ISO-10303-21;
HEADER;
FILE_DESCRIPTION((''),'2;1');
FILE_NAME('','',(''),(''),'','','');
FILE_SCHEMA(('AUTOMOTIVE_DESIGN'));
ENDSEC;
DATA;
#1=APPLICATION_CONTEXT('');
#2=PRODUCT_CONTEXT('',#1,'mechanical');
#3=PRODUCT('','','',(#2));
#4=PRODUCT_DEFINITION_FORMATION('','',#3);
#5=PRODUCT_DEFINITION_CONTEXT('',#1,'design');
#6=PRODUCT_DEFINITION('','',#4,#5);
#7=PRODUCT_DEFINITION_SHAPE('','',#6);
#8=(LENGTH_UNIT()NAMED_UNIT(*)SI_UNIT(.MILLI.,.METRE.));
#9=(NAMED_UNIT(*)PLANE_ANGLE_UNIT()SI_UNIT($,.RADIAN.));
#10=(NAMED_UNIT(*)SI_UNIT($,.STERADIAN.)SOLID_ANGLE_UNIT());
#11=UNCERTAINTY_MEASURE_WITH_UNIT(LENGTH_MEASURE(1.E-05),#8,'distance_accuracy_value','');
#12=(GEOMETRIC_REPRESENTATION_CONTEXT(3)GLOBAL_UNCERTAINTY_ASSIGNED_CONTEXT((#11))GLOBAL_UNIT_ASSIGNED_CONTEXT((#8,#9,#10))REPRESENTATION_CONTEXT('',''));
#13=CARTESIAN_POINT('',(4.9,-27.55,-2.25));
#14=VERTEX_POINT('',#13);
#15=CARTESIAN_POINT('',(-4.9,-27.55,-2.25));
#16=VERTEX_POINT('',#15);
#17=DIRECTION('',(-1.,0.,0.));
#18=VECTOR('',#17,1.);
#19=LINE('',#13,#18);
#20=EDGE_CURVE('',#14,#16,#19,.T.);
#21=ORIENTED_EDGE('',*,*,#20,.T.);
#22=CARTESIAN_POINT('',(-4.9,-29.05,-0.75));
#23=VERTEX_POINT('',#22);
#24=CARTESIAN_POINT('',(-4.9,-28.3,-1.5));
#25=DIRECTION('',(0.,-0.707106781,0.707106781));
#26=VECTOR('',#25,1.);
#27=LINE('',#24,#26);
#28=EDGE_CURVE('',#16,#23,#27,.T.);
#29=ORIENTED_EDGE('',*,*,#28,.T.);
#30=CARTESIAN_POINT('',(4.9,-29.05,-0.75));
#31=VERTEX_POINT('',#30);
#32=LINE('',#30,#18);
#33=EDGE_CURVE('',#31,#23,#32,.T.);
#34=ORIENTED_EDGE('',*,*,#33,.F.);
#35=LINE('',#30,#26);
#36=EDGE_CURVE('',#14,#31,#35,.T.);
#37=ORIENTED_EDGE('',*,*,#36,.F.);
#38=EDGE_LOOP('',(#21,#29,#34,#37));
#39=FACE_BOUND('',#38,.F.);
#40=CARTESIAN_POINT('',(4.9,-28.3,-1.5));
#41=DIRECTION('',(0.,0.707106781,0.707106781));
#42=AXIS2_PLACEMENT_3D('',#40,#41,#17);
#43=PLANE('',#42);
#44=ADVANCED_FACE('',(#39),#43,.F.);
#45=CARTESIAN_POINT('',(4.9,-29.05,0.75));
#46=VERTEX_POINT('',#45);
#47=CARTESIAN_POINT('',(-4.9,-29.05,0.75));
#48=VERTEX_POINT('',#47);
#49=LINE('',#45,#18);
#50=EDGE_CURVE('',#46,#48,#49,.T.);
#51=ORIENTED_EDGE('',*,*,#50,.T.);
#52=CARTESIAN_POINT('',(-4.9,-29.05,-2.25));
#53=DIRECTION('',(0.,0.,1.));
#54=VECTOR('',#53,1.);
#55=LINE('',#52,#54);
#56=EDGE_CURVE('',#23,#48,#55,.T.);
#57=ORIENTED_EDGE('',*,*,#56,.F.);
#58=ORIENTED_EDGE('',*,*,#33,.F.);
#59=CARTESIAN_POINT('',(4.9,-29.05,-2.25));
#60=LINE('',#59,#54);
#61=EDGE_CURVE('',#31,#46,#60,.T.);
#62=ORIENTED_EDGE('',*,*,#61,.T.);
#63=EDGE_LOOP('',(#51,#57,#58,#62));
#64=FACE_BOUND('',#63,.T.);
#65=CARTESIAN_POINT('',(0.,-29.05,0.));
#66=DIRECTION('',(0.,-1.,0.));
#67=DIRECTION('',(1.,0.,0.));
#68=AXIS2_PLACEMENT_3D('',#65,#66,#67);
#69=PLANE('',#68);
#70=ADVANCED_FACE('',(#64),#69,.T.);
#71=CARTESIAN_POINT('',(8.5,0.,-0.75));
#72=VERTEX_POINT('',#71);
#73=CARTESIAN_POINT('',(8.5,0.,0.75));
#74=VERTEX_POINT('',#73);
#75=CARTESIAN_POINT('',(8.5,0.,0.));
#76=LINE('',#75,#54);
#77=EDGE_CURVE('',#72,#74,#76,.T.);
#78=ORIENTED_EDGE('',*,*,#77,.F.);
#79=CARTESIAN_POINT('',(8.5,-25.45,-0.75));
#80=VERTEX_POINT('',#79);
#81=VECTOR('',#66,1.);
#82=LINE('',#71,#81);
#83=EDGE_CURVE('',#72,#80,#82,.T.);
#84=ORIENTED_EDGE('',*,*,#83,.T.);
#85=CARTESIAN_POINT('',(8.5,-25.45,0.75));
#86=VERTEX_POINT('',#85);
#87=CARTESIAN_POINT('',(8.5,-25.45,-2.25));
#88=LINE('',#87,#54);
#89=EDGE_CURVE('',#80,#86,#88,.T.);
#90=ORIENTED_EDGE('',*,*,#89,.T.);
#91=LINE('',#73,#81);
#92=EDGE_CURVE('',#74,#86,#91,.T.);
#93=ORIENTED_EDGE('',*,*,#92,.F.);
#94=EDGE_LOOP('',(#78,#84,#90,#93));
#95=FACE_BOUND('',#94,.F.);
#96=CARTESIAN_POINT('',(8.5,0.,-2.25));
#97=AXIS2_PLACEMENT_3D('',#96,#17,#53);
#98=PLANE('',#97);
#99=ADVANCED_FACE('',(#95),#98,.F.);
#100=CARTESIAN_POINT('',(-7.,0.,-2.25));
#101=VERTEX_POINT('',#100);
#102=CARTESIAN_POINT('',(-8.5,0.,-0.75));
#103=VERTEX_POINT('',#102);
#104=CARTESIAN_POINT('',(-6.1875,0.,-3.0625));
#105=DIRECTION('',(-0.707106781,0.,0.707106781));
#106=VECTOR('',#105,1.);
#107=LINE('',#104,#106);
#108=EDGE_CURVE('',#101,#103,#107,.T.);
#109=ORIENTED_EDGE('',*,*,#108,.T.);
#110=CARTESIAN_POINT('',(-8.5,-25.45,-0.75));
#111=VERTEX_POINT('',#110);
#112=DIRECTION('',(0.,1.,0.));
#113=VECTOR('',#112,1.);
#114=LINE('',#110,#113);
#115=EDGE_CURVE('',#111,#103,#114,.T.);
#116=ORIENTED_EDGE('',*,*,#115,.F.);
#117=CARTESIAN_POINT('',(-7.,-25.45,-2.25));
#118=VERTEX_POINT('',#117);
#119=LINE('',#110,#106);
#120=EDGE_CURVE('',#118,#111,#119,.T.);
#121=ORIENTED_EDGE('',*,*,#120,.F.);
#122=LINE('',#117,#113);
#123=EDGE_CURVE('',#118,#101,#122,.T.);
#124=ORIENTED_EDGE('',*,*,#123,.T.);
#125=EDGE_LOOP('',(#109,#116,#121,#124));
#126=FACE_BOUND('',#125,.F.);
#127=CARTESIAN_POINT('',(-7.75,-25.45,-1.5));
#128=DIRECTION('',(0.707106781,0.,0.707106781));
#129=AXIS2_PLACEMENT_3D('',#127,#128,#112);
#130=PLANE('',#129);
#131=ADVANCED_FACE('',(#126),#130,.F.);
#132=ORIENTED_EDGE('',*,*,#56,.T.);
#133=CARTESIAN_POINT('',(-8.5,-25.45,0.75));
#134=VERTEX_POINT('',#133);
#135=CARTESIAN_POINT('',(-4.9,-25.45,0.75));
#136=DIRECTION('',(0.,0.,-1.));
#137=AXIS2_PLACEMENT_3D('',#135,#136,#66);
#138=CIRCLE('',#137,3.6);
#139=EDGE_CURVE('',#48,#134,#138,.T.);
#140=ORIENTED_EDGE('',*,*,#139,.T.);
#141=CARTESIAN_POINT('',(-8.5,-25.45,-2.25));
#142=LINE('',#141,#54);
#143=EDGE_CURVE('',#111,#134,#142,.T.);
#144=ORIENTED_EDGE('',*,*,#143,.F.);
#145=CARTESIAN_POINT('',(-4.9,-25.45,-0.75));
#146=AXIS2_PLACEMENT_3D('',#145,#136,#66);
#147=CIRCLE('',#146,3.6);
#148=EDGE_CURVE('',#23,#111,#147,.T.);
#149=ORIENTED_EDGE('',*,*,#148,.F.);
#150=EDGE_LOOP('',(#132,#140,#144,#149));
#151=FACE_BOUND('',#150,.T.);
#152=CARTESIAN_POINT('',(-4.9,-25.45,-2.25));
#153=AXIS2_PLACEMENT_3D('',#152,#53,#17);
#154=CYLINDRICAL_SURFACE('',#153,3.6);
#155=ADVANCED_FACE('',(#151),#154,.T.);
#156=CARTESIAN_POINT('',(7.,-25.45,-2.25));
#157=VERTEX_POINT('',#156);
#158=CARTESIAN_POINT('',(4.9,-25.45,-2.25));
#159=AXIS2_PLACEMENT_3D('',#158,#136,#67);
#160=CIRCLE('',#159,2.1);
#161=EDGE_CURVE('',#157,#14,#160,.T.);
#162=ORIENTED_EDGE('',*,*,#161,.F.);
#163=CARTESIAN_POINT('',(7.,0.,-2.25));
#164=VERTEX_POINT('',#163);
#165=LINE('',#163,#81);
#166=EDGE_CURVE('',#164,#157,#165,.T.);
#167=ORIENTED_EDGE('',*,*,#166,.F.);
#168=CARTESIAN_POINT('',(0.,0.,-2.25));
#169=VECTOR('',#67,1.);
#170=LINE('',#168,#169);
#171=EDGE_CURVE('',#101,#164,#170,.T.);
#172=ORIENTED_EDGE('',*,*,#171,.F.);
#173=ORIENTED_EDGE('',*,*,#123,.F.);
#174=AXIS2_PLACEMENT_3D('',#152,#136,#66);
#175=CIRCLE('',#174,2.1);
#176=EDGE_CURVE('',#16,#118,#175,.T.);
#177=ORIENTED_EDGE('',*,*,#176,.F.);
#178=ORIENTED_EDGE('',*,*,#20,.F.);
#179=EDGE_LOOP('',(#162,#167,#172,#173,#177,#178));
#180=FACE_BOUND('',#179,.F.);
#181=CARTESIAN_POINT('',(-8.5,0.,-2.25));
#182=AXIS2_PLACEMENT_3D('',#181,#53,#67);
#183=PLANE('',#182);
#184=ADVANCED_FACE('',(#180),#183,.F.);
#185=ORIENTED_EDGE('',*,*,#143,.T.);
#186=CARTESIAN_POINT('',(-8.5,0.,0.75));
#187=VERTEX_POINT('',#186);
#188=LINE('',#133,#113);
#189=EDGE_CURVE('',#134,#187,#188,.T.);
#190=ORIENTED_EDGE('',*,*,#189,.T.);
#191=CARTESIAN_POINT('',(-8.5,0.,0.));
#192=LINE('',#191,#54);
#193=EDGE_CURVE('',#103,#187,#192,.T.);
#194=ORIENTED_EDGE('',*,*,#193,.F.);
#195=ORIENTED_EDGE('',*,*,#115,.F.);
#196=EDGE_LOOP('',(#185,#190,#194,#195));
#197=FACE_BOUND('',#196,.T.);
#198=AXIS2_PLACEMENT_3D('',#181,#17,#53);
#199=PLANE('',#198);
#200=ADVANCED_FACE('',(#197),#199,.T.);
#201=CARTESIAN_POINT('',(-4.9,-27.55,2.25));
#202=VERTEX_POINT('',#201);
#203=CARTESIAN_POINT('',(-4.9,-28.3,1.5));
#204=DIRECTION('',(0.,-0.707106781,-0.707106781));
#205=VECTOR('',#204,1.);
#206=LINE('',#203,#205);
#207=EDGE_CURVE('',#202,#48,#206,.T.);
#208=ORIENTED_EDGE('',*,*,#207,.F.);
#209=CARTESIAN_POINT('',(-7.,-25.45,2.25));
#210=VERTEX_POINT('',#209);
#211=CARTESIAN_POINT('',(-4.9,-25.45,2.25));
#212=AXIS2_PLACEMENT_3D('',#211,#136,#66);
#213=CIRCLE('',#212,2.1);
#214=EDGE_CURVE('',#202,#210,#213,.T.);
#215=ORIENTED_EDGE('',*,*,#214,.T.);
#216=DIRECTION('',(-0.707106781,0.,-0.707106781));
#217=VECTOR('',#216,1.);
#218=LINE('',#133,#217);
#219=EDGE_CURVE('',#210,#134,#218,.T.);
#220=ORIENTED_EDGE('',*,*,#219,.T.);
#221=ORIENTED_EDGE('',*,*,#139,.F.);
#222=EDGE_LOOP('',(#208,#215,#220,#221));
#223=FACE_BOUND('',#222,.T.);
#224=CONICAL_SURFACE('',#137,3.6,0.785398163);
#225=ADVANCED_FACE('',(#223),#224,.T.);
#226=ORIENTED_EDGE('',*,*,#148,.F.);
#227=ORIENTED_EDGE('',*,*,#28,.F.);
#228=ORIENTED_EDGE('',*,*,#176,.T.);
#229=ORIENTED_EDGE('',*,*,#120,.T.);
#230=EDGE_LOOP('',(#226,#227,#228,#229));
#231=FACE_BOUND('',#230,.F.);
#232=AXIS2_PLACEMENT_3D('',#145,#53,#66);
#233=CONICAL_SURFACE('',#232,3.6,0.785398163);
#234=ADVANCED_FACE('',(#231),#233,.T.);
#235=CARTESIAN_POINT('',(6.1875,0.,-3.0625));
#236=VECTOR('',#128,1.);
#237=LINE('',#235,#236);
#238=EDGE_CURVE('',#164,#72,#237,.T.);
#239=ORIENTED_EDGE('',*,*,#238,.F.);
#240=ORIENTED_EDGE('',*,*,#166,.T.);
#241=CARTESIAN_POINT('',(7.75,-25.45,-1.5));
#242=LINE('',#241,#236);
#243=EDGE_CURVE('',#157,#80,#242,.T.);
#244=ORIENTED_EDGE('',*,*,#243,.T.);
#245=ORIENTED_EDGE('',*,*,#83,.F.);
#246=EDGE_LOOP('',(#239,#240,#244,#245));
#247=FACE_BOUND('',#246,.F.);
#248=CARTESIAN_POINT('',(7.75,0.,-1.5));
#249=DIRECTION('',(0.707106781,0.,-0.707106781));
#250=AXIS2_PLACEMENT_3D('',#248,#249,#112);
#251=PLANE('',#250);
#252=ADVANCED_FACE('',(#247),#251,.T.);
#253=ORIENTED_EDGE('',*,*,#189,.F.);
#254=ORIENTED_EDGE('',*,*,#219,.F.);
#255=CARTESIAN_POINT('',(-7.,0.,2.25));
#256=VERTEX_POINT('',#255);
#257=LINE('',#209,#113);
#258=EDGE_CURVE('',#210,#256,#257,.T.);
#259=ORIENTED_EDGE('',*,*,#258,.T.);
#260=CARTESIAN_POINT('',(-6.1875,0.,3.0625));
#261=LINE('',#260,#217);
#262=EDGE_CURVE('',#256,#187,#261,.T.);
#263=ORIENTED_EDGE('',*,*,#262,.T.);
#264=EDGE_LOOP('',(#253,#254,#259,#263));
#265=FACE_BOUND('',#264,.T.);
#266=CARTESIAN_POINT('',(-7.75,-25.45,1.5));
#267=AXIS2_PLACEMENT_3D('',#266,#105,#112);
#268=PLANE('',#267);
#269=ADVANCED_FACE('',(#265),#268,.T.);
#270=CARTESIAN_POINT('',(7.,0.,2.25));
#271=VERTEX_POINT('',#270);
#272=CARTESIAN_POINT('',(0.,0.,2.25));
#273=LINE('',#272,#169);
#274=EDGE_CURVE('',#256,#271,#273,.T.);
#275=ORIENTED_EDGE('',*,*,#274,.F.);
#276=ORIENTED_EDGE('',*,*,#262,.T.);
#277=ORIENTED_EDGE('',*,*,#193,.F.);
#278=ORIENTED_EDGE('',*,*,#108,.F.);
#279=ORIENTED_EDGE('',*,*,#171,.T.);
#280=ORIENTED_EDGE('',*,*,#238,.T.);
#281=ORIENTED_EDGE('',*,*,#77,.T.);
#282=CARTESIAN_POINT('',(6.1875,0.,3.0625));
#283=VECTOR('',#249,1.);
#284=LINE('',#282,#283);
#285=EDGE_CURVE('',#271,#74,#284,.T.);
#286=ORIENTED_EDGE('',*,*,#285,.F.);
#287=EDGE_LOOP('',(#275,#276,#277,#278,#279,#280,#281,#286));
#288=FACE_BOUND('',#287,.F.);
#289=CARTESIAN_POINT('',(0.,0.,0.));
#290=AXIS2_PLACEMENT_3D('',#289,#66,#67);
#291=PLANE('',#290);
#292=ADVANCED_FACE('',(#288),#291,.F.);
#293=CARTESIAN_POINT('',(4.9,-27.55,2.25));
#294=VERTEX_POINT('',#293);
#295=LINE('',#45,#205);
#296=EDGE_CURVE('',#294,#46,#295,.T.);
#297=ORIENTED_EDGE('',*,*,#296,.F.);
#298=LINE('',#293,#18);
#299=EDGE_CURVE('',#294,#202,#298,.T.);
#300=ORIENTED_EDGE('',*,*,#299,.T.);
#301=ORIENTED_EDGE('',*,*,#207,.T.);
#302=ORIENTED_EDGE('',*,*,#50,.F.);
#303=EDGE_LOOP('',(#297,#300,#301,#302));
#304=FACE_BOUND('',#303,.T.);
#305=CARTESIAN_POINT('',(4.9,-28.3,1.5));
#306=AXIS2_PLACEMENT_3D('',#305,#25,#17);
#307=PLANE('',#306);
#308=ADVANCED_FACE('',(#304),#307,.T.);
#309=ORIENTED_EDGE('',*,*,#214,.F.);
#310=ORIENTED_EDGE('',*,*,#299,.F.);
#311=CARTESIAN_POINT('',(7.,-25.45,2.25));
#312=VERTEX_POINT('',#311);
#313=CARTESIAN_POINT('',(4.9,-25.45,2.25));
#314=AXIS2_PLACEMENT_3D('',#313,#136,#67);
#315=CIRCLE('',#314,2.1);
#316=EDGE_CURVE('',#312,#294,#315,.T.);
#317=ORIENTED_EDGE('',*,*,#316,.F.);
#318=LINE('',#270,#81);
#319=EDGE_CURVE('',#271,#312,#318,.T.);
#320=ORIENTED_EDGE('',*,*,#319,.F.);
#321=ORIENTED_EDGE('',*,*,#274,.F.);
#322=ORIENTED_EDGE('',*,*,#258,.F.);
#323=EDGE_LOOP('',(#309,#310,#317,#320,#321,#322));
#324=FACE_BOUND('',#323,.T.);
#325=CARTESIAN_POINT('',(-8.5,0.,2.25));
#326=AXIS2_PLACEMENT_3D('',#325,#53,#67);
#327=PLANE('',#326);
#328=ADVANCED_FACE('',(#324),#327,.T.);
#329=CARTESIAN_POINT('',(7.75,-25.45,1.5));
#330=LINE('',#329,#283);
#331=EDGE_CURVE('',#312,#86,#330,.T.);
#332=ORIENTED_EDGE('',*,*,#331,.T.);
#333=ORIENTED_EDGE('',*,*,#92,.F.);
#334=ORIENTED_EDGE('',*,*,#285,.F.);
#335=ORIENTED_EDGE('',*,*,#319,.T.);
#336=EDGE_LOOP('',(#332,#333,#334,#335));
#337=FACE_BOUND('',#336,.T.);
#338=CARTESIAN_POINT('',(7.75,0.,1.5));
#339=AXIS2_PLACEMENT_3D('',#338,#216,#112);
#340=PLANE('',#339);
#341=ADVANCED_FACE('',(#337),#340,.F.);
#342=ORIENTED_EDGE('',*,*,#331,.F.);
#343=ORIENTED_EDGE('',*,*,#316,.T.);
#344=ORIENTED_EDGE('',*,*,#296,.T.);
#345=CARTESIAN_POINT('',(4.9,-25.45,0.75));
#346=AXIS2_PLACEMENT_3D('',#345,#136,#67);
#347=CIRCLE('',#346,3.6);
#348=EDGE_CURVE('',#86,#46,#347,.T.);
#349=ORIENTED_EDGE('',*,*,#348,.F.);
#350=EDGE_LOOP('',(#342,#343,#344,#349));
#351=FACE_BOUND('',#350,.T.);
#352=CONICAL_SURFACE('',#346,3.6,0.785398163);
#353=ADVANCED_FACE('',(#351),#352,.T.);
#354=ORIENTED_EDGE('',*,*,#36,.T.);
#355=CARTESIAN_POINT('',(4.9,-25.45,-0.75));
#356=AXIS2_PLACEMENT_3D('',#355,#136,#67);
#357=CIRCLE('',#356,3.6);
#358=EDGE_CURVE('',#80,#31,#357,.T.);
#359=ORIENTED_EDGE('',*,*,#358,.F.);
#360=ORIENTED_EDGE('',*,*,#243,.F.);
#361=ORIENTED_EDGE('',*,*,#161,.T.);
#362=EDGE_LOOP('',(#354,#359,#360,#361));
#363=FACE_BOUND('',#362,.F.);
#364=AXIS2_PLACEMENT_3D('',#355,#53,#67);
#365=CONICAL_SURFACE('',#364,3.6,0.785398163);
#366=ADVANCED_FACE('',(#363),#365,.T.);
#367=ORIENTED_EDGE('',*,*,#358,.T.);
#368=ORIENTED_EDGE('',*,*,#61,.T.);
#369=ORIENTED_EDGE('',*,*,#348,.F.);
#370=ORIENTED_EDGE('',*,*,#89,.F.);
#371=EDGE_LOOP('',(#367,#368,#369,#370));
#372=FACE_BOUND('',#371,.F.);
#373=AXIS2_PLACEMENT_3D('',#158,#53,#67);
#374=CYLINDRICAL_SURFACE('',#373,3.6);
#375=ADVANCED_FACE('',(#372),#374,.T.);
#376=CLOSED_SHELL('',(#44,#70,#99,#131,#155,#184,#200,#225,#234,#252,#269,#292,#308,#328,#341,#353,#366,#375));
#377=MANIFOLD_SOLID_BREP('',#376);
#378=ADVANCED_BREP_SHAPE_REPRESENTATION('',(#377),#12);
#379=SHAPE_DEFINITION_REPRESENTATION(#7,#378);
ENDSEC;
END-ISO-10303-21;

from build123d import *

# Parameters (mm, degrees)
F0_W     = 17
F0_H     = 4.5
F1_DEPTH = 29.05
F2_R     = 3.6
F3_SIZE  = 1.5


with BuildPart() as f1:
    # F0 (on Front) → F1 (new body)
    with BuildSketch(Plane.XZ):
        Rectangle(F0_W, F0_H)
    extrude(amount=F1_DEPTH)

    # F2
    f2_edges = [f1.edges().sort_by_distance(p)[0] for p in [
        (8.5, -29.05, 0),
        (-8.5, -29.05, 0),
    ]]
    fillet(f2_edges, radius=F2_R)

    # F3
    f3_edges = [f1.edges().sort_by_distance(p)[0] for p in [
        (8.5, -12.725, 2.25),
        (8.5, -12.725, -2.25),
        (-8.5, -12.725, 2.25),
        (-8.5, -12.725, -2.25),
        (0, -29.05, 2.25),
        (4.9, -29.05, 0),
        (-4.9, -29.05, 0),
        (0, -29.05, -2.25),
    ]]
    chamfer(f3_edges, length=F3_SIZE)


solid = f1.part
